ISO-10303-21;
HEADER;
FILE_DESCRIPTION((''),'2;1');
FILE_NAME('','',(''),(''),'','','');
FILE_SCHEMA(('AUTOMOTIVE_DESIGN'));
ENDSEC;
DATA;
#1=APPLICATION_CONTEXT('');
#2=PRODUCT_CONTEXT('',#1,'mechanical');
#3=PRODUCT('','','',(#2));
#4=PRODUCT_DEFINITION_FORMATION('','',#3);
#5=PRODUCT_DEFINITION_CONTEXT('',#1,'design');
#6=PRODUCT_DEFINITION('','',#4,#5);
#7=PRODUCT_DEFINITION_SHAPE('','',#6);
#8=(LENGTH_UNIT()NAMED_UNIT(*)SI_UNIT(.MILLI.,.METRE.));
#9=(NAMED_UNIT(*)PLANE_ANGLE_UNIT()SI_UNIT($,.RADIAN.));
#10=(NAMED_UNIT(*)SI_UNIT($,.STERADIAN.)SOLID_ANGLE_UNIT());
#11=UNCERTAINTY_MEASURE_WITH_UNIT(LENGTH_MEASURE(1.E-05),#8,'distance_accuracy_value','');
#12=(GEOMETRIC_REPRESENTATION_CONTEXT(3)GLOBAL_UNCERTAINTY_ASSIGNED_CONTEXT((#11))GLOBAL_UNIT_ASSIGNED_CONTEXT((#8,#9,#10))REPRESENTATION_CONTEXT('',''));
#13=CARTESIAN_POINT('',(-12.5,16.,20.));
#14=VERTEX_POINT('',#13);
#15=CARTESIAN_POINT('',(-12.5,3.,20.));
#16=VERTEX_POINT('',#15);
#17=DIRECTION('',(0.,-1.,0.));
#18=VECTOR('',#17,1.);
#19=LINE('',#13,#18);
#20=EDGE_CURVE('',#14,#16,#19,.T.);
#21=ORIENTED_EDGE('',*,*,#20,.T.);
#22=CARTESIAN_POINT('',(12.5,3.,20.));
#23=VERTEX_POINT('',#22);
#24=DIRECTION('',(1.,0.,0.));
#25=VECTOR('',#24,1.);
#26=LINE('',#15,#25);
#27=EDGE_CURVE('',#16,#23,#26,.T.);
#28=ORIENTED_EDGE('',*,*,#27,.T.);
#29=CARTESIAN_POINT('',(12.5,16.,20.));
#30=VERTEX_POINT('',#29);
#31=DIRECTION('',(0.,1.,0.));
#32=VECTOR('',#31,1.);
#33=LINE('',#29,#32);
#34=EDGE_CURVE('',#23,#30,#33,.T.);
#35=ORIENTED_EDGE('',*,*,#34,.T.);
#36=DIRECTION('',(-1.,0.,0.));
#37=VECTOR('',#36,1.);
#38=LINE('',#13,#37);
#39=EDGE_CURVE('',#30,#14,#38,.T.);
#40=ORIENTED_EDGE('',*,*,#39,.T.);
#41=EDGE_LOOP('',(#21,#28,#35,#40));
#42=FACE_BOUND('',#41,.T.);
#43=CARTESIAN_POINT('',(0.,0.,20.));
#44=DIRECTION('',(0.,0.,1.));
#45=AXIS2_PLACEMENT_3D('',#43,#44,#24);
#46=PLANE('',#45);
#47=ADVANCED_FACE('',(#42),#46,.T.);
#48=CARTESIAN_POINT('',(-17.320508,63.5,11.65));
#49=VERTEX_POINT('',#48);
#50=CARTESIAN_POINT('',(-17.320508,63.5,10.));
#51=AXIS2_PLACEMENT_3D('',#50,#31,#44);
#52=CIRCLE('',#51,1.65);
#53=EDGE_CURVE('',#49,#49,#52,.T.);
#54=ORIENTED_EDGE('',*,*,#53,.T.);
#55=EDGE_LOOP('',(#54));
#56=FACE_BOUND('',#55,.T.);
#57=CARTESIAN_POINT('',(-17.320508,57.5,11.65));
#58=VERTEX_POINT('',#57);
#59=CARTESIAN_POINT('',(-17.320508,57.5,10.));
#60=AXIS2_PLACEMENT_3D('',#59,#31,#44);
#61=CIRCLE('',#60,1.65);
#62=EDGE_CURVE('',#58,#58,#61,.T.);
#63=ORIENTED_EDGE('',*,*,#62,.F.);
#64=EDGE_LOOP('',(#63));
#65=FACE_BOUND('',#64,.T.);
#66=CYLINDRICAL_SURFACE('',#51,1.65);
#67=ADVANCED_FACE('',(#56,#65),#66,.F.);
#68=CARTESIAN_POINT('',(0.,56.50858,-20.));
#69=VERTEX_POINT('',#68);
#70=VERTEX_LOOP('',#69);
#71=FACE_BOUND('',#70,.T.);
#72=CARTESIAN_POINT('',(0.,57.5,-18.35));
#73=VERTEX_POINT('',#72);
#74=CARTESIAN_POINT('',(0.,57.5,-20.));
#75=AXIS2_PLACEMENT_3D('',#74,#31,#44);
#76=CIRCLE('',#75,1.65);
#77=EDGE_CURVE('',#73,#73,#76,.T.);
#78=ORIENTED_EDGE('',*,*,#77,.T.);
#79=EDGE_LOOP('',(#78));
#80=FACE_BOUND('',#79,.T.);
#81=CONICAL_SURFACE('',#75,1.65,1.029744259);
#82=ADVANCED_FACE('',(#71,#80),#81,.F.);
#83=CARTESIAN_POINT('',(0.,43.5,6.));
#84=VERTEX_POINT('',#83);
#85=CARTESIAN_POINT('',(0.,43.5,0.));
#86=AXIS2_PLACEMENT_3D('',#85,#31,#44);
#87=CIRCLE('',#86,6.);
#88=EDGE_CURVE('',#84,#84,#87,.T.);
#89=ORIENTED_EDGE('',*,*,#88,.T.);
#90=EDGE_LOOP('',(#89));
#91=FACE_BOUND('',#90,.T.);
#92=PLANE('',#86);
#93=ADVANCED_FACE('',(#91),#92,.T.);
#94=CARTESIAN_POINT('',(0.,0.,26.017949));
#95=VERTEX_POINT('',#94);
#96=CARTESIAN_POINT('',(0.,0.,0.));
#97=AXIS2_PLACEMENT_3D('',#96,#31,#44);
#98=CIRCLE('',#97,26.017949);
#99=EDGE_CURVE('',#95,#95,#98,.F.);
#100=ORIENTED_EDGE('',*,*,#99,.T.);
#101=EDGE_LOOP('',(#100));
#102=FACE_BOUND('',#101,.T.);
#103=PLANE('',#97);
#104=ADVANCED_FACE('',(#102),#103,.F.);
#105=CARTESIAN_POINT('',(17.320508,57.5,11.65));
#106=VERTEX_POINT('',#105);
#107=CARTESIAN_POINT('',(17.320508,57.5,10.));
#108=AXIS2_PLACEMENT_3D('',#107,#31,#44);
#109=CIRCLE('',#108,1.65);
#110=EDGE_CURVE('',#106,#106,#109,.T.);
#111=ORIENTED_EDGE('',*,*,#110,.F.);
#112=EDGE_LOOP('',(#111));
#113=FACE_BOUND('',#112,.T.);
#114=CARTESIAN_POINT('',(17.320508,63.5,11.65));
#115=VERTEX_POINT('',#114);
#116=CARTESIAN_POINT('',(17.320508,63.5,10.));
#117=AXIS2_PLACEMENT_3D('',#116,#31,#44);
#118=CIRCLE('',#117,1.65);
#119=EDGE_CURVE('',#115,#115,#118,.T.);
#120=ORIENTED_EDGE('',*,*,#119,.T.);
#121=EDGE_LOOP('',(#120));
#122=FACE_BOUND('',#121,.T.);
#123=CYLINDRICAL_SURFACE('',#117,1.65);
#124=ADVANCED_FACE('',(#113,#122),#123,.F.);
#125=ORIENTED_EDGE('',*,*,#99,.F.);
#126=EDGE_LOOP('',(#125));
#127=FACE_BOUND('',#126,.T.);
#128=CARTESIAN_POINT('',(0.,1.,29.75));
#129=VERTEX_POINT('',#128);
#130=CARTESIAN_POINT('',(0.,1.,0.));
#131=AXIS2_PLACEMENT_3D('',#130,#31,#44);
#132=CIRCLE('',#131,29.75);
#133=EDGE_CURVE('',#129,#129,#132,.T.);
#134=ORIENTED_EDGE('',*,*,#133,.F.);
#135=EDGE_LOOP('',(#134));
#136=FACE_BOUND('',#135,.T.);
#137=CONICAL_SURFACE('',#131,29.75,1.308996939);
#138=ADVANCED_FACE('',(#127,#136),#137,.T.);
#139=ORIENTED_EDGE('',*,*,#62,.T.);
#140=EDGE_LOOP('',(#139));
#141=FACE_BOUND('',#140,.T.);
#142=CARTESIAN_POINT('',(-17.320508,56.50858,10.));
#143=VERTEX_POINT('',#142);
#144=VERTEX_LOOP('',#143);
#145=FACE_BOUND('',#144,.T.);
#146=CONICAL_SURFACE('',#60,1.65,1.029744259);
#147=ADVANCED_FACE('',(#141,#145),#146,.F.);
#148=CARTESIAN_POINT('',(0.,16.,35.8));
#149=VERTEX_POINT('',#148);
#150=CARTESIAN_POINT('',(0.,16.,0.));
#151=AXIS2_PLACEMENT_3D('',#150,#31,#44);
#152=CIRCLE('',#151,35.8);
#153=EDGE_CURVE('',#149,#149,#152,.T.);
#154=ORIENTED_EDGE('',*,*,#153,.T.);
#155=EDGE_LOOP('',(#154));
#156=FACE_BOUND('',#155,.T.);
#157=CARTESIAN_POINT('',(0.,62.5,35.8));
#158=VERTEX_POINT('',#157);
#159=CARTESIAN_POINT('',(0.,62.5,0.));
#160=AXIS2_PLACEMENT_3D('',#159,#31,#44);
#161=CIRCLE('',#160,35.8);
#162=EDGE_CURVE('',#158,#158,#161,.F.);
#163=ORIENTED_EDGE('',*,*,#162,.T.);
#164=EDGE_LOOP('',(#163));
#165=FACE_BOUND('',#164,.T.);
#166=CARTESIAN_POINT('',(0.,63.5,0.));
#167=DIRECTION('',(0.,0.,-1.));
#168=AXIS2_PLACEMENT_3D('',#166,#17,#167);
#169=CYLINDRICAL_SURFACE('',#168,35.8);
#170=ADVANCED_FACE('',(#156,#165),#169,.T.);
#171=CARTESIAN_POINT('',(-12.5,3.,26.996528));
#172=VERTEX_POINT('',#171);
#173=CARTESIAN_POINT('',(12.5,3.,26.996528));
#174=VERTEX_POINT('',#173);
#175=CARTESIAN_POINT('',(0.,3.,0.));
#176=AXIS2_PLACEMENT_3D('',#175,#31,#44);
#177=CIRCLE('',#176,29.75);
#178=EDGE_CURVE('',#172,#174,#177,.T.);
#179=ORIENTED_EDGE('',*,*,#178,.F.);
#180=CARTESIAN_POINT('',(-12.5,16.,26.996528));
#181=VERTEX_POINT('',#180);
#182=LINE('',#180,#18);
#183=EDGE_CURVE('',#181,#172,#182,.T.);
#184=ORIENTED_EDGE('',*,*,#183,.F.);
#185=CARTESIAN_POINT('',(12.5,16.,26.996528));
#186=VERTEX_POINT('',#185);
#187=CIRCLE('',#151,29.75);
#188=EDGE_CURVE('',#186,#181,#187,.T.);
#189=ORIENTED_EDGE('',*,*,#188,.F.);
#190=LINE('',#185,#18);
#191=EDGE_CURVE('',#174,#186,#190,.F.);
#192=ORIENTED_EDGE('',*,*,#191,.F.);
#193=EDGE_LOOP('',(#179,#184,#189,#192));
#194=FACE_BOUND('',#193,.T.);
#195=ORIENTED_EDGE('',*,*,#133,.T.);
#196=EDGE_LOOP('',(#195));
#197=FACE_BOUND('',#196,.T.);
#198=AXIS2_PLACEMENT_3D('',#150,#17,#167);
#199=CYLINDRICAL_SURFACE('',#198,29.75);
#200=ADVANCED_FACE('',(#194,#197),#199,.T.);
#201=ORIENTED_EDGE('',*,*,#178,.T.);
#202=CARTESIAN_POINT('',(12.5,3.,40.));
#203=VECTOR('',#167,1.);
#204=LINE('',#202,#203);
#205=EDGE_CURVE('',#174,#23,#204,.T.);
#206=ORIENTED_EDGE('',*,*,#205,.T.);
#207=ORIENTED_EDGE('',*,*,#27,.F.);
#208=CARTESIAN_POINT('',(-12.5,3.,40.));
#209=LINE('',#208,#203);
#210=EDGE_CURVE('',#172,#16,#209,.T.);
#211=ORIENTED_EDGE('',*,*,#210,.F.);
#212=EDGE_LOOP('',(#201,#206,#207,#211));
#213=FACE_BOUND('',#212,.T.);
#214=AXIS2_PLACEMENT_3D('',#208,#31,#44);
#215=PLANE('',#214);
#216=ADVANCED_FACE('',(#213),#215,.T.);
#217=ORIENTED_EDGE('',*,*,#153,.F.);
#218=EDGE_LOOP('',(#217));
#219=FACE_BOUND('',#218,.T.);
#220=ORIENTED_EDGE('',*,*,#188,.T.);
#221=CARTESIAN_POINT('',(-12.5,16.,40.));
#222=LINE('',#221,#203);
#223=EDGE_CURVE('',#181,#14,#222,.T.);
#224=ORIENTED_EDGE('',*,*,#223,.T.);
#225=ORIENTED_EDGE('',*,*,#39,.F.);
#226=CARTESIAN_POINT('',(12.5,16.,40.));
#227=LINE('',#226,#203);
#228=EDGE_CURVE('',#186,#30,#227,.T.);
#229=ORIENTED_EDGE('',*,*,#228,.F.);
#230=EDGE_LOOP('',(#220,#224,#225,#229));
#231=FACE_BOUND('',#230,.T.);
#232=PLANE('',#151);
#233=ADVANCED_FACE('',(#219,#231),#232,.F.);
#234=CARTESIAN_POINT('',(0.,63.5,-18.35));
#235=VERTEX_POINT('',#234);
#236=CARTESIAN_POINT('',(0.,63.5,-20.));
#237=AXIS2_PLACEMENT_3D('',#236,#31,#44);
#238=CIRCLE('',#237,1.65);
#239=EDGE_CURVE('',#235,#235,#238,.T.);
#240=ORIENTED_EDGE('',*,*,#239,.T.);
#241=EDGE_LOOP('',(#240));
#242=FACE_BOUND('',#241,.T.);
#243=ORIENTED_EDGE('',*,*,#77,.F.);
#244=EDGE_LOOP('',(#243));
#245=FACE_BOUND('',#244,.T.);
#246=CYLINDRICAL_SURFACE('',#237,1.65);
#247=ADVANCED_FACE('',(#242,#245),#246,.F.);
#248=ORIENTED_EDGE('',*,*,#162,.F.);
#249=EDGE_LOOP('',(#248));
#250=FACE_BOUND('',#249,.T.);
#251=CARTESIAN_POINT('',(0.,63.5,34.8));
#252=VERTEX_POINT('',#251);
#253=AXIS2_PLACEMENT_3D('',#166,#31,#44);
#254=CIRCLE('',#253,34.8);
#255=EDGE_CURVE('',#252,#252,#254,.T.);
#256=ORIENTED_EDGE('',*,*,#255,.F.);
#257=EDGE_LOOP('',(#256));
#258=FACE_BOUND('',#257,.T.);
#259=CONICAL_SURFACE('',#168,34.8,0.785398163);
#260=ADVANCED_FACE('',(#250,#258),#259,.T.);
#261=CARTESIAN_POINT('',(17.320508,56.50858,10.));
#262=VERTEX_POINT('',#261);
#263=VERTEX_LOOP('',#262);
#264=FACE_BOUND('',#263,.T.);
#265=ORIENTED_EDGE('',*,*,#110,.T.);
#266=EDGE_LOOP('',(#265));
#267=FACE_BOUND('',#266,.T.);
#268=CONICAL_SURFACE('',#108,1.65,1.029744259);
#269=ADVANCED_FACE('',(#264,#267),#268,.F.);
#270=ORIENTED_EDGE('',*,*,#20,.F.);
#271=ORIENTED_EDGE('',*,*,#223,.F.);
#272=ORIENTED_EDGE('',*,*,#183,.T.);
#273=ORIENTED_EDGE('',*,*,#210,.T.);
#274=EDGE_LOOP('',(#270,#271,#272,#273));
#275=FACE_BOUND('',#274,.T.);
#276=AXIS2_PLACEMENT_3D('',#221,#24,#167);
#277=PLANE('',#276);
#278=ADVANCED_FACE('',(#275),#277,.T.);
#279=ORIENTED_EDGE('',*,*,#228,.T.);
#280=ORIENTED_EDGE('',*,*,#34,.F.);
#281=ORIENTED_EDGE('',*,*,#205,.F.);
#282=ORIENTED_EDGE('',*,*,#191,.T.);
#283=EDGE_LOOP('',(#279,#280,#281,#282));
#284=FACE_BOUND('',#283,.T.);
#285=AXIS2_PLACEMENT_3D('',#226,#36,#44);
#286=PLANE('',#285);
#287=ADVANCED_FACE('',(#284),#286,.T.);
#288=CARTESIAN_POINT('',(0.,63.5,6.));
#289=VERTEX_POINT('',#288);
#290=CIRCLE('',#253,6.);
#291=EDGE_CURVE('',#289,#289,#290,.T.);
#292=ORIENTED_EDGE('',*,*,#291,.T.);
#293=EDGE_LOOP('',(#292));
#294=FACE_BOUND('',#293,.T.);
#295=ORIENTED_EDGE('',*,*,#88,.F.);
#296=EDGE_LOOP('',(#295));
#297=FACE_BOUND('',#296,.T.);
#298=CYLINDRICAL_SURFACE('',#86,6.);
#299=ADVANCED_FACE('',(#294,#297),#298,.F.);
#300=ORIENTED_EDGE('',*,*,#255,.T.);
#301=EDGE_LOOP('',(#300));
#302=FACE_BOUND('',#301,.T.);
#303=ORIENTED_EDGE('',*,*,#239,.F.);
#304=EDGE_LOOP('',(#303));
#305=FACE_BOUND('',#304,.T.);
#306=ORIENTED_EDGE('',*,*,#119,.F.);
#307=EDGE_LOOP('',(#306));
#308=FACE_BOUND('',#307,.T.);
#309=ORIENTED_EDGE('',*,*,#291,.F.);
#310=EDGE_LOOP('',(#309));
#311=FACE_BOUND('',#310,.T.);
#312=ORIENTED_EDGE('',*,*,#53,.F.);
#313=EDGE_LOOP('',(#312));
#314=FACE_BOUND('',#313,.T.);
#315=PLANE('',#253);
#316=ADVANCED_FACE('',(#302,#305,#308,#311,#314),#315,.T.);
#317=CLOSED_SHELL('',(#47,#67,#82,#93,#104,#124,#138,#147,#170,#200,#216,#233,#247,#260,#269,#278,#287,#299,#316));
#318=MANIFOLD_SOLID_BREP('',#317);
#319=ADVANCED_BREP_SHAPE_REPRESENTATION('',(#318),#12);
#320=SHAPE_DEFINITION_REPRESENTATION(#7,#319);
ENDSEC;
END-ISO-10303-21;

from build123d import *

# Parameters (mm, degrees)
SKETCH1_R             = 29.75
BOSS_EXTRUDE1_DEPTH   = 16
SKETCH2_R             = 35.8
BOSS_EXTRUDE2_DEPTH   = 47.5
M4_TAPPED_HOLE1_D     = 3.3
M4_TAPPED_HOLE1_DEPTH = 6
M4_TAPPED_HOLE1_TIP   = 0.991420021
SKETCH6_R             = 6
CUT_EXTRUDE1_DEPTH    = 20
CHAMFER1_SIZE         = 1
CHAMFER2_SIZE         = 1
CHAMFER2_SIZE2        = 3.732050808
CUT_EXTRUDE2_START    = 20
SKETCH7_W             = 25
SKETCH7_H             = 13
CUT_EXTRUDE2_DEPTH    = 20


with BuildPart() as part:
    # Sketch1 → Boss-Extrude1 (new body)
    with BuildSketch(Plane(origin=(0, 0, 0), x_dir=(1, 0, 0), z_dir=(0, 1, 0))):
        Circle(SKETCH1_R)
    extrude(amount=BOSS_EXTRUDE1_DEPTH)

    # Sketch2 → Boss-Extrude2 (add)
    with BuildSketch(Plane(origin=(0, 16, 0), x_dir=(1, 0, 0), z_dir=(0, 1, 0))):
        Circle(SKETCH2_R)
    extrude(amount=BOSS_EXTRUDE2_DEPTH)

    # M4 Tapped Hole1
    with Locations(Plane(origin=(0, 63.5, 0), x_dir=(1, 0, 0), z_dir=(0, 1, 0))):
        with Locations((0, 20), (17.320508076, -10), (-17.320508076, -10)):
            Hole(M4_TAPPED_HOLE1_D / 2, depth=M4_TAPPED_HOLE1_DEPTH)
            with Locations((0, 0, -(M4_TAPPED_HOLE1_DEPTH + M4_TAPPED_HOLE1_TIP / 2))):  # 118° drill point
                Cone(0, M4_TAPPED_HOLE1_D / 2, M4_TAPPED_HOLE1_TIP, mode=Mode.SUBTRACT)

    # Sketch6 → Cut-Extrude1 (cut)
    with BuildSketch(Plane(origin=(0, 63.5, 0), x_dir=(1, 0, 0), z_dir=(0, 1, 0))):
        Circle(SKETCH6_R)
    extrude(amount=-CUT_EXTRUDE1_DEPTH, mode=Mode.SUBTRACT)

    # Chamfer1
    chamfer1_edges = [part.edges().sort_by_distance(p)[0] for p in [
        (-35.8, 63.5, 0),
    ]]
    chamfer(chamfer1_edges, length=CHAMFER1_SIZE)

    # Chamfer2
    chamfer2_edges = [part.edges().sort_by_distance(p)[0] for p in [
        (-29.75, 0, 0),
    ]]
    chamfer2_side = [part.faces().sort_by_distance(p)[0] for p in [
        (-29.75, 8, 0),
    ]]
    chamfer(chamfer2_edges, length=CHAMFER2_SIZE, length2=CHAMFER2_SIZE2, reference=chamfer2_side[0])

    # Sketch7 → Cut-Extrude2 (cut)
    with BuildSketch(Plane.XY.offset(CUT_EXTRUDE2_START)):
        with Locations((0, 9.5)):
            Rectangle(SKETCH7_W, SKETCH7_H)
    extrude(amount=CUT_EXTRUDE2_DEPTH, mode=Mode.SUBTRACT)


solid = part.part
